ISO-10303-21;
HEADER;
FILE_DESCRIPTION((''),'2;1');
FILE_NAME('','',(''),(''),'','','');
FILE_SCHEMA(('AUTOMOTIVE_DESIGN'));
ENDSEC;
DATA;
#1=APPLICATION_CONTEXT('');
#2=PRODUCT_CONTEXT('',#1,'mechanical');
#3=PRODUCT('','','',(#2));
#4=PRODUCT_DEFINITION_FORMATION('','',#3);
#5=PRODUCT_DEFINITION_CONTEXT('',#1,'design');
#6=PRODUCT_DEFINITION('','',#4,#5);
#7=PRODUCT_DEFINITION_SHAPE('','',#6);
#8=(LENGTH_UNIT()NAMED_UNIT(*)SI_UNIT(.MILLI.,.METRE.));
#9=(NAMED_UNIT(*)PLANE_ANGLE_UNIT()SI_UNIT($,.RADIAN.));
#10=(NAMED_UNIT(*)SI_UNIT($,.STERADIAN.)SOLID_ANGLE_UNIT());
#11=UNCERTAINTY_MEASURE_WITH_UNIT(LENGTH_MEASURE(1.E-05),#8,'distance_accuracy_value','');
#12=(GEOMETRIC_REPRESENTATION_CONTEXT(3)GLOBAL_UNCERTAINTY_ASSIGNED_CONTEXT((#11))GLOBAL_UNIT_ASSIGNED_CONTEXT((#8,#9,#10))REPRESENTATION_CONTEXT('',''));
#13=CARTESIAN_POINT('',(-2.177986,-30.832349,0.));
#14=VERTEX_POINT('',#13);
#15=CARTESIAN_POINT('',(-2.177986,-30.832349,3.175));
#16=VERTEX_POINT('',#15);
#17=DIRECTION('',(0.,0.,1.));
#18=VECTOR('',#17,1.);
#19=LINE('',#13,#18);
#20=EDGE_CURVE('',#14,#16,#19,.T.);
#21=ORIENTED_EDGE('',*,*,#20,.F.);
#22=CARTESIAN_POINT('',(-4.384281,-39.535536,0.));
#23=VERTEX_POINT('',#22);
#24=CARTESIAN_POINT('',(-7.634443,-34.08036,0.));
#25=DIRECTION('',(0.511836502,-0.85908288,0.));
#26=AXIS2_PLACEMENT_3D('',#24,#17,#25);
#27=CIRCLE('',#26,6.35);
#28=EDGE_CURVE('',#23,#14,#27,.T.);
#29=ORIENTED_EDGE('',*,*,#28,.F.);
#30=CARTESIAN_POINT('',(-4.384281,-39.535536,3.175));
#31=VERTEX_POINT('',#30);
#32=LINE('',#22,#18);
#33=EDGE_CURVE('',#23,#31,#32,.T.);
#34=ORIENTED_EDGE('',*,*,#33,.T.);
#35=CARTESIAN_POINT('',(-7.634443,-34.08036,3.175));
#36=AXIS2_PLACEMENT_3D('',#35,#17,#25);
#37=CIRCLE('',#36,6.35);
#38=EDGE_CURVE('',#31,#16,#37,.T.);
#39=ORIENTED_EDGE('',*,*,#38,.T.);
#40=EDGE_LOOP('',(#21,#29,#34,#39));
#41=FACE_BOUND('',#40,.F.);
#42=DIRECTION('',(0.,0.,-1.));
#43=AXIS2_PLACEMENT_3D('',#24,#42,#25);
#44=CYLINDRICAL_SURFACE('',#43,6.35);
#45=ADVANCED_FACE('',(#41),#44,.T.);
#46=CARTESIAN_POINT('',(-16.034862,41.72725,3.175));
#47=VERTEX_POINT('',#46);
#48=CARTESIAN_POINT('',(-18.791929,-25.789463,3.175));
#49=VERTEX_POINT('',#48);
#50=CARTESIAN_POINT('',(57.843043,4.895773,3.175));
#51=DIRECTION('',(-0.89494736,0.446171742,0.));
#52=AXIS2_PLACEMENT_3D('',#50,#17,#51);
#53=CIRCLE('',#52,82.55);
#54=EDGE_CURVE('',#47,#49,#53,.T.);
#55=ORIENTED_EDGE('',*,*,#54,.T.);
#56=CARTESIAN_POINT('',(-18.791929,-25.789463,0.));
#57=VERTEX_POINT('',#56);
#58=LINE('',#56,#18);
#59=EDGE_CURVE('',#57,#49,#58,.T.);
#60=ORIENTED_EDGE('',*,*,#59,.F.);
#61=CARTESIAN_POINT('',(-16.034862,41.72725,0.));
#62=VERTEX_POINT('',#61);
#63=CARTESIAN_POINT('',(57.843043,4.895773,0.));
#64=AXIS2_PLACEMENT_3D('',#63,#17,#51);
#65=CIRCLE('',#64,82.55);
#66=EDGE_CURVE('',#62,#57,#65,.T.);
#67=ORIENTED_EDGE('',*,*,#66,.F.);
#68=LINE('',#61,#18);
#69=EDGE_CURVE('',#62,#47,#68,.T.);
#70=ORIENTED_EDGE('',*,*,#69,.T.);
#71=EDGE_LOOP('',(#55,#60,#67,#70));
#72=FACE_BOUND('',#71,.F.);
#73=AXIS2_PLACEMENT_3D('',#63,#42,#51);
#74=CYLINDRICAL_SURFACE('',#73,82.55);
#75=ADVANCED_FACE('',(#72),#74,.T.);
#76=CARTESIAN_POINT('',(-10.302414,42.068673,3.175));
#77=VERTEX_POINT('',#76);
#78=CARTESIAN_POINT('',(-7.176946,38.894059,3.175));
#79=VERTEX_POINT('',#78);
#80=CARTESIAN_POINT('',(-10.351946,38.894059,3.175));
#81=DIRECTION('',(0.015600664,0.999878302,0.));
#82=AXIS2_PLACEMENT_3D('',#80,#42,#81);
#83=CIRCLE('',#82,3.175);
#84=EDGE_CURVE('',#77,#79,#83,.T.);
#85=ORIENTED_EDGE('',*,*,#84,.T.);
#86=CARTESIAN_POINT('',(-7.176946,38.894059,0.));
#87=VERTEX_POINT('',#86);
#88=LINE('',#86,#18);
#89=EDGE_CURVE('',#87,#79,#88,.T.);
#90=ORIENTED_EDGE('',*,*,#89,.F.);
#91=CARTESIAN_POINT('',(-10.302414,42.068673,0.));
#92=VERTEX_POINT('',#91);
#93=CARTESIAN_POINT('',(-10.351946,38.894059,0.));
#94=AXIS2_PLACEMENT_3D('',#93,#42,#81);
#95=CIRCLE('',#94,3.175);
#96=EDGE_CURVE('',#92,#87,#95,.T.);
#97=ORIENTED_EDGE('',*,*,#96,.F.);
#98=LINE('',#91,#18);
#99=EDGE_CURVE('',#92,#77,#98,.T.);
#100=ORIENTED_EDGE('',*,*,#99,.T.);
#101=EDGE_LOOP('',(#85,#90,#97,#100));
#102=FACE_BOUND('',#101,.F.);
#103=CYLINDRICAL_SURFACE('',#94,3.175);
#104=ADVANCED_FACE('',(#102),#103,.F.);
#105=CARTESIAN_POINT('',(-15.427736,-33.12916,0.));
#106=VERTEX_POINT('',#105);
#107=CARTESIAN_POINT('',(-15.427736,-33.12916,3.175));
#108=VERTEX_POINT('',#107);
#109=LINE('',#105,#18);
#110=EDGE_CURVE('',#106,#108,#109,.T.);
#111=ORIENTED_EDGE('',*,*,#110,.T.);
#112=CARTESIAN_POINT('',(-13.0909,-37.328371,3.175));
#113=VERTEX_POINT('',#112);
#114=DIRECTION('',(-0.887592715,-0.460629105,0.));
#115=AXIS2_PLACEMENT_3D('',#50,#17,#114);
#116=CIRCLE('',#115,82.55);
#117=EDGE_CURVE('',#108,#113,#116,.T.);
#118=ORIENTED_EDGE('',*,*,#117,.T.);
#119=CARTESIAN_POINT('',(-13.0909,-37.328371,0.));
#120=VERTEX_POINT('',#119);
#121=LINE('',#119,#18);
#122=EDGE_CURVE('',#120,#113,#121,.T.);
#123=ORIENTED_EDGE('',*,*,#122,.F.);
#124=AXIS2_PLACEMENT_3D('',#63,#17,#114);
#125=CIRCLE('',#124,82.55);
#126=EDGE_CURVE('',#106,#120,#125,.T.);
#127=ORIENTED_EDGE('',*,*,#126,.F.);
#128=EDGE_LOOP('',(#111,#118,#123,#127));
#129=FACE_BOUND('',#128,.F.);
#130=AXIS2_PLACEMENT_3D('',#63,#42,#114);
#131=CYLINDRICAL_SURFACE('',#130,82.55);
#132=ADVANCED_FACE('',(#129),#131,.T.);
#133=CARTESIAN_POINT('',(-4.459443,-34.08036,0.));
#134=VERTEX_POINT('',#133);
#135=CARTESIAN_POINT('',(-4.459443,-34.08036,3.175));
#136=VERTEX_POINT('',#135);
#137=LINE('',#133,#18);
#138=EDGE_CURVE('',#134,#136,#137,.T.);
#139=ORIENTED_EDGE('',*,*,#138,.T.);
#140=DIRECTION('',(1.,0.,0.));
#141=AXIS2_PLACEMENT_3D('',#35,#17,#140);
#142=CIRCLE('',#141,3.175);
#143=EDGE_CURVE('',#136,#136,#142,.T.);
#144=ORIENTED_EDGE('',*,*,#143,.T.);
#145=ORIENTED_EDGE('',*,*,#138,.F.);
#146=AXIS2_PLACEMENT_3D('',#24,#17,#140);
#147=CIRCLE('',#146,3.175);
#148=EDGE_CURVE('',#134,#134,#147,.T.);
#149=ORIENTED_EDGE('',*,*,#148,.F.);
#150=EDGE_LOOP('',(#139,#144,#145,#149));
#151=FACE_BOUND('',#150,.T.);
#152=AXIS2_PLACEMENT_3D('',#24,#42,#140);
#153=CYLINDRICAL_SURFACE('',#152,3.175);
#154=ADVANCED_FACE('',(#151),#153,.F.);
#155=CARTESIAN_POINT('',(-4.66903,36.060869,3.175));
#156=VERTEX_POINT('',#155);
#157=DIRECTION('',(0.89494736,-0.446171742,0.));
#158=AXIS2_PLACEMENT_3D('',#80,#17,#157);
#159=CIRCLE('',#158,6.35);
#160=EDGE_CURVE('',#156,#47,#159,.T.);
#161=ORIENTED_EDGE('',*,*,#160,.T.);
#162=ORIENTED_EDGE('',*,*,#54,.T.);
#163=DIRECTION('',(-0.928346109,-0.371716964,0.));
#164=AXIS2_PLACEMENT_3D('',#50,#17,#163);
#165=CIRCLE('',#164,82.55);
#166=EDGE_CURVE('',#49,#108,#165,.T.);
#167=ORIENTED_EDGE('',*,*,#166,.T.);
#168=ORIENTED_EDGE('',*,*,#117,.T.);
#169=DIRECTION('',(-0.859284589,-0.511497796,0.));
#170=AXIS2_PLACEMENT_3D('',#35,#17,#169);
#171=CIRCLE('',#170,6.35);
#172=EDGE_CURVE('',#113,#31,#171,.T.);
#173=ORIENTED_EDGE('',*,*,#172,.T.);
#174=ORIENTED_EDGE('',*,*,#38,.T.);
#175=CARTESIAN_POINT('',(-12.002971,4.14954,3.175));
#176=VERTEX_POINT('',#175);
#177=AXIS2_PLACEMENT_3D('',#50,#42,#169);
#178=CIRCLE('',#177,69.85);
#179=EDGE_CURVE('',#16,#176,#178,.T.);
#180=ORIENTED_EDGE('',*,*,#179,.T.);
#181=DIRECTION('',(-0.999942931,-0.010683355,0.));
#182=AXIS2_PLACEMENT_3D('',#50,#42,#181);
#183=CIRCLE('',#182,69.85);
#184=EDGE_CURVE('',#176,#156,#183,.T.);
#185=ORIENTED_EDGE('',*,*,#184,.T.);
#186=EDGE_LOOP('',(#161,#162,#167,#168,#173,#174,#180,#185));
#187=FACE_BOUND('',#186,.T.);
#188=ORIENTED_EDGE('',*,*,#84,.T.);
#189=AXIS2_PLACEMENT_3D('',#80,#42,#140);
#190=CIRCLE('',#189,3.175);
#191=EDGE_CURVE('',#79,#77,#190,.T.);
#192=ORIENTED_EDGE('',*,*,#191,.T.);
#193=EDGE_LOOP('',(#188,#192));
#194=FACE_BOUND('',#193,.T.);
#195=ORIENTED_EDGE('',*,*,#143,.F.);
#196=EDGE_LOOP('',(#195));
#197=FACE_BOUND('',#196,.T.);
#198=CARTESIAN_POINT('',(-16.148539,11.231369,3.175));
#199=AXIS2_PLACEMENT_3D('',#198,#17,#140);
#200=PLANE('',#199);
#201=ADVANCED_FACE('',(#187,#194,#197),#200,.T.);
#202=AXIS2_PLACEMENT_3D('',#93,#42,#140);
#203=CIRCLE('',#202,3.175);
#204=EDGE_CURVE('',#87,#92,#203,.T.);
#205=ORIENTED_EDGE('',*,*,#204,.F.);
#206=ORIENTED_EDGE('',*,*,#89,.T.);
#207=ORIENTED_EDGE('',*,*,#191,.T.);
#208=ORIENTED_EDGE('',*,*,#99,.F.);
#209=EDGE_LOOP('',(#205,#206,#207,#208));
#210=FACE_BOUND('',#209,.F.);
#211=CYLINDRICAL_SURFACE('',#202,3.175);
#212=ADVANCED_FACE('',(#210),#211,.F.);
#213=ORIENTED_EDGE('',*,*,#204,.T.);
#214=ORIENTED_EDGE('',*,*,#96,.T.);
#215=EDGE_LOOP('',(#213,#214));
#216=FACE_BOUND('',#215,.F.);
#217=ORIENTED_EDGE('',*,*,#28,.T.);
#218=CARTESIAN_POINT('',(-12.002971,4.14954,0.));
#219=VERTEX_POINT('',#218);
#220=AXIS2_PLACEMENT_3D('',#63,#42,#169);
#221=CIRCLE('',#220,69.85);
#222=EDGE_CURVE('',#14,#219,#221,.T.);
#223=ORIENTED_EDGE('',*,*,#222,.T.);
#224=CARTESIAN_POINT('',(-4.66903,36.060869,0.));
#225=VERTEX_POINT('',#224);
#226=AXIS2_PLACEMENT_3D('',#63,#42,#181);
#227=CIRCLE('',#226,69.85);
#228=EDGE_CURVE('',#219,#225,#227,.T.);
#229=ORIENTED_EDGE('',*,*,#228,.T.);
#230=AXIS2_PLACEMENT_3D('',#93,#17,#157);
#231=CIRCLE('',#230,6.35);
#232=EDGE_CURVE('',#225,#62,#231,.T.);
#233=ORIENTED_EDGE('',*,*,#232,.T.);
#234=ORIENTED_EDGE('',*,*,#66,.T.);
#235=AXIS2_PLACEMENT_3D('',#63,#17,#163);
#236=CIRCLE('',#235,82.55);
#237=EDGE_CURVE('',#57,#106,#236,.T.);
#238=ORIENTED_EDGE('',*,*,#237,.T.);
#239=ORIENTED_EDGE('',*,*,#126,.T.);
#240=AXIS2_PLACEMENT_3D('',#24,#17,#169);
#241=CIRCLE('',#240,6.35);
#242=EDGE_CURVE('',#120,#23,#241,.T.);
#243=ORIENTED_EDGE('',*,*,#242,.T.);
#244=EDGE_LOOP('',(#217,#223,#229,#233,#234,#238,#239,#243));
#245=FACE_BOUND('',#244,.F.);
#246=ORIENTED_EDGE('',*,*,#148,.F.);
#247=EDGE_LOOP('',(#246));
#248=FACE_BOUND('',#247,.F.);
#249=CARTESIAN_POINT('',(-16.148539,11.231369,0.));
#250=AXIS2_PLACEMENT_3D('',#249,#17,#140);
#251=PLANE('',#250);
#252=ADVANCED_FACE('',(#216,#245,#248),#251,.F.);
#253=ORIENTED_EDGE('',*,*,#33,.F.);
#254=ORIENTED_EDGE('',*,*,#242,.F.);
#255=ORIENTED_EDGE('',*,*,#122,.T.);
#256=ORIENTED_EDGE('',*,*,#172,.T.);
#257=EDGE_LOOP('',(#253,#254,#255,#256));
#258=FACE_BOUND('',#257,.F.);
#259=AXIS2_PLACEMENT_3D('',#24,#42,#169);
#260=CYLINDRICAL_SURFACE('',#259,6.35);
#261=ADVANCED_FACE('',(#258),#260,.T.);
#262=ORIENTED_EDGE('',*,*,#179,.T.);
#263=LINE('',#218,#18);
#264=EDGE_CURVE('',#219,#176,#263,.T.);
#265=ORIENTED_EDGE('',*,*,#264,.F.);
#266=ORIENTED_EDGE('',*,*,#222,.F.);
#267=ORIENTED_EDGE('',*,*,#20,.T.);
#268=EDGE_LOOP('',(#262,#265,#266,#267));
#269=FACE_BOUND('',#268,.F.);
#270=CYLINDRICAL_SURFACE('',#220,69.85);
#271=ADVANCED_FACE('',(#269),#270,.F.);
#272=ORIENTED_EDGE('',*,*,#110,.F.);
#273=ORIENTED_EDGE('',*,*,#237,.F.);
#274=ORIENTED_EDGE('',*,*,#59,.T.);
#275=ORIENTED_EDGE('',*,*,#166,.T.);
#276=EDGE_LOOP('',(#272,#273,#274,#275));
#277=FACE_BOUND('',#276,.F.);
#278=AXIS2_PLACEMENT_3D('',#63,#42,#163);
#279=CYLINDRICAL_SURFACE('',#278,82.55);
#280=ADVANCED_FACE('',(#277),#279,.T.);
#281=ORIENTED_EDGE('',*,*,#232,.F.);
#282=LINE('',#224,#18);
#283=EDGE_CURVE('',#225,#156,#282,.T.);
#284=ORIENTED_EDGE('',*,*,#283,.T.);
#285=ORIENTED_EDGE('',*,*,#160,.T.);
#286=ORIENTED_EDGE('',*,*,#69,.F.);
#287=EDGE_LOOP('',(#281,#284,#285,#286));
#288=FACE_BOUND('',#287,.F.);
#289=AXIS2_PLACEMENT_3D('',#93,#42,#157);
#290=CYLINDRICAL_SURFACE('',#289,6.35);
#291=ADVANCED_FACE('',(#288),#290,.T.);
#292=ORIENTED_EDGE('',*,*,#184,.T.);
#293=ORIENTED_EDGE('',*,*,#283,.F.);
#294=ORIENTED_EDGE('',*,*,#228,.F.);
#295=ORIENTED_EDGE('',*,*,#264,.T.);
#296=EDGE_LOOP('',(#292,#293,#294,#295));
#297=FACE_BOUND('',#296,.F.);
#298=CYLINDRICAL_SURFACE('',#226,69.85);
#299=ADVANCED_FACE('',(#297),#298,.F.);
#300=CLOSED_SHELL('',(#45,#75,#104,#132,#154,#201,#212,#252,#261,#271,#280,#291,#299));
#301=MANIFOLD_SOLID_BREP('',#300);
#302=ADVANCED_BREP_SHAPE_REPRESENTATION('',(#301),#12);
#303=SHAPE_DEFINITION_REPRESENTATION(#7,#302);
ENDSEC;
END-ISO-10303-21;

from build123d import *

# Parameters (mm, degrees)
F0_R     = 3.175
F1_DEPTH = 3.175


with BuildPart() as f1:
    # F0 (on Top) → F1 (new body)
    with BuildSketch(Plane.XY):
        with BuildLine():
            ThreePointArc((-4.6690304578, 36.0608687482), (-4.926356626, 42.1933740702), (-10.2528819721, 45.2432865312))
            ThreePointArc((-10.2528819721, 45.2432865312), (-13.6512609491, 44.3196488769), (-16.034861924, 41.7272498758))
            ThreePointArc((-16.034861924, 41.7272498758), (-24.6382163154, 8.2639214044), (-18.7919287035, -25.7894628669))
            Line((-18.7919287035, -25.7894628669), (-12.3928580021, 2.7761611158))
            ThreePointArc((-12.3928580021, 2.7761611158), (-12.2172281013, 3.4683335365), (-12.0029711474, 4.1495401716))
            ThreePointArc((-12.0029711474, 4.1495401716), (-10.2322760444, 20.5410111397), (-4.6690304578, 36.0608687482))
        make_face()
        with BuildLine():
            ThreePointArc((-7.1769461909, 38.894059312), (-12.6144546933, 36.6665763656), (-10.3024140815, 42.0686729216))
            ThreePointArc((-10.3024140815, 42.0686729216), (-8.0894376884, 41.1215422584), (-7.1769461909, 38.894059312))
        make_face(mode=Mode.SUBTRACT)
        with BuildLine():
            ThreePointArc((-18.7919287035, -25.7894628669), (-17.199620286, -29.5004662895), (-15.4277360093, -33.1291600779))
            ThreePointArc((-15.4277360093, -33.1291600779), (-10.0074027219, -36.507133329), (-4.3842812821, -39.5355357964))
            ThreePointArc((-4.3842812821, -39.5355357964), (-1.4791469298, -35.6407535094), (-2.1779859288, -30.8323485013))
            ThreePointArc((-2.1779859288, -30.8323485013), (-9.4049707621, -13.9914505961), (-12.0029711474, 4.1495401716))
            ThreePointArc((-12.0029711474, 4.1495401716), (-12.2172281013, 3.4683335365), (-12.3928580021, 2.7761611158))
            Line((-12.3928580021, 2.7761611158), (-18.7919287035, -25.7894628669))
        make_face()
        with Locations((-7.6344430684, -34.0803595057)):
            Circle(F0_R, mode=Mode.SUBTRACT)
        with BuildLine():
            ThreePointArc((-4.3842812821, -39.5355357964), (-10.0074027219, -36.507133329), (-15.4277360093, -33.1291600779))
            ThreePointArc((-15.4277360093, -33.1291600779), (-14.2898816566, -35.2457737279), (-13.0909002079, -37.32837051))
            ThreePointArc((-13.0909002079, -37.32837051), (-9.1948370721, -40.2356556442), (-4.3842812821, -39.5355357964))
        make_face()
    extrude(amount=F1_DEPTH)


solid = f1.part
